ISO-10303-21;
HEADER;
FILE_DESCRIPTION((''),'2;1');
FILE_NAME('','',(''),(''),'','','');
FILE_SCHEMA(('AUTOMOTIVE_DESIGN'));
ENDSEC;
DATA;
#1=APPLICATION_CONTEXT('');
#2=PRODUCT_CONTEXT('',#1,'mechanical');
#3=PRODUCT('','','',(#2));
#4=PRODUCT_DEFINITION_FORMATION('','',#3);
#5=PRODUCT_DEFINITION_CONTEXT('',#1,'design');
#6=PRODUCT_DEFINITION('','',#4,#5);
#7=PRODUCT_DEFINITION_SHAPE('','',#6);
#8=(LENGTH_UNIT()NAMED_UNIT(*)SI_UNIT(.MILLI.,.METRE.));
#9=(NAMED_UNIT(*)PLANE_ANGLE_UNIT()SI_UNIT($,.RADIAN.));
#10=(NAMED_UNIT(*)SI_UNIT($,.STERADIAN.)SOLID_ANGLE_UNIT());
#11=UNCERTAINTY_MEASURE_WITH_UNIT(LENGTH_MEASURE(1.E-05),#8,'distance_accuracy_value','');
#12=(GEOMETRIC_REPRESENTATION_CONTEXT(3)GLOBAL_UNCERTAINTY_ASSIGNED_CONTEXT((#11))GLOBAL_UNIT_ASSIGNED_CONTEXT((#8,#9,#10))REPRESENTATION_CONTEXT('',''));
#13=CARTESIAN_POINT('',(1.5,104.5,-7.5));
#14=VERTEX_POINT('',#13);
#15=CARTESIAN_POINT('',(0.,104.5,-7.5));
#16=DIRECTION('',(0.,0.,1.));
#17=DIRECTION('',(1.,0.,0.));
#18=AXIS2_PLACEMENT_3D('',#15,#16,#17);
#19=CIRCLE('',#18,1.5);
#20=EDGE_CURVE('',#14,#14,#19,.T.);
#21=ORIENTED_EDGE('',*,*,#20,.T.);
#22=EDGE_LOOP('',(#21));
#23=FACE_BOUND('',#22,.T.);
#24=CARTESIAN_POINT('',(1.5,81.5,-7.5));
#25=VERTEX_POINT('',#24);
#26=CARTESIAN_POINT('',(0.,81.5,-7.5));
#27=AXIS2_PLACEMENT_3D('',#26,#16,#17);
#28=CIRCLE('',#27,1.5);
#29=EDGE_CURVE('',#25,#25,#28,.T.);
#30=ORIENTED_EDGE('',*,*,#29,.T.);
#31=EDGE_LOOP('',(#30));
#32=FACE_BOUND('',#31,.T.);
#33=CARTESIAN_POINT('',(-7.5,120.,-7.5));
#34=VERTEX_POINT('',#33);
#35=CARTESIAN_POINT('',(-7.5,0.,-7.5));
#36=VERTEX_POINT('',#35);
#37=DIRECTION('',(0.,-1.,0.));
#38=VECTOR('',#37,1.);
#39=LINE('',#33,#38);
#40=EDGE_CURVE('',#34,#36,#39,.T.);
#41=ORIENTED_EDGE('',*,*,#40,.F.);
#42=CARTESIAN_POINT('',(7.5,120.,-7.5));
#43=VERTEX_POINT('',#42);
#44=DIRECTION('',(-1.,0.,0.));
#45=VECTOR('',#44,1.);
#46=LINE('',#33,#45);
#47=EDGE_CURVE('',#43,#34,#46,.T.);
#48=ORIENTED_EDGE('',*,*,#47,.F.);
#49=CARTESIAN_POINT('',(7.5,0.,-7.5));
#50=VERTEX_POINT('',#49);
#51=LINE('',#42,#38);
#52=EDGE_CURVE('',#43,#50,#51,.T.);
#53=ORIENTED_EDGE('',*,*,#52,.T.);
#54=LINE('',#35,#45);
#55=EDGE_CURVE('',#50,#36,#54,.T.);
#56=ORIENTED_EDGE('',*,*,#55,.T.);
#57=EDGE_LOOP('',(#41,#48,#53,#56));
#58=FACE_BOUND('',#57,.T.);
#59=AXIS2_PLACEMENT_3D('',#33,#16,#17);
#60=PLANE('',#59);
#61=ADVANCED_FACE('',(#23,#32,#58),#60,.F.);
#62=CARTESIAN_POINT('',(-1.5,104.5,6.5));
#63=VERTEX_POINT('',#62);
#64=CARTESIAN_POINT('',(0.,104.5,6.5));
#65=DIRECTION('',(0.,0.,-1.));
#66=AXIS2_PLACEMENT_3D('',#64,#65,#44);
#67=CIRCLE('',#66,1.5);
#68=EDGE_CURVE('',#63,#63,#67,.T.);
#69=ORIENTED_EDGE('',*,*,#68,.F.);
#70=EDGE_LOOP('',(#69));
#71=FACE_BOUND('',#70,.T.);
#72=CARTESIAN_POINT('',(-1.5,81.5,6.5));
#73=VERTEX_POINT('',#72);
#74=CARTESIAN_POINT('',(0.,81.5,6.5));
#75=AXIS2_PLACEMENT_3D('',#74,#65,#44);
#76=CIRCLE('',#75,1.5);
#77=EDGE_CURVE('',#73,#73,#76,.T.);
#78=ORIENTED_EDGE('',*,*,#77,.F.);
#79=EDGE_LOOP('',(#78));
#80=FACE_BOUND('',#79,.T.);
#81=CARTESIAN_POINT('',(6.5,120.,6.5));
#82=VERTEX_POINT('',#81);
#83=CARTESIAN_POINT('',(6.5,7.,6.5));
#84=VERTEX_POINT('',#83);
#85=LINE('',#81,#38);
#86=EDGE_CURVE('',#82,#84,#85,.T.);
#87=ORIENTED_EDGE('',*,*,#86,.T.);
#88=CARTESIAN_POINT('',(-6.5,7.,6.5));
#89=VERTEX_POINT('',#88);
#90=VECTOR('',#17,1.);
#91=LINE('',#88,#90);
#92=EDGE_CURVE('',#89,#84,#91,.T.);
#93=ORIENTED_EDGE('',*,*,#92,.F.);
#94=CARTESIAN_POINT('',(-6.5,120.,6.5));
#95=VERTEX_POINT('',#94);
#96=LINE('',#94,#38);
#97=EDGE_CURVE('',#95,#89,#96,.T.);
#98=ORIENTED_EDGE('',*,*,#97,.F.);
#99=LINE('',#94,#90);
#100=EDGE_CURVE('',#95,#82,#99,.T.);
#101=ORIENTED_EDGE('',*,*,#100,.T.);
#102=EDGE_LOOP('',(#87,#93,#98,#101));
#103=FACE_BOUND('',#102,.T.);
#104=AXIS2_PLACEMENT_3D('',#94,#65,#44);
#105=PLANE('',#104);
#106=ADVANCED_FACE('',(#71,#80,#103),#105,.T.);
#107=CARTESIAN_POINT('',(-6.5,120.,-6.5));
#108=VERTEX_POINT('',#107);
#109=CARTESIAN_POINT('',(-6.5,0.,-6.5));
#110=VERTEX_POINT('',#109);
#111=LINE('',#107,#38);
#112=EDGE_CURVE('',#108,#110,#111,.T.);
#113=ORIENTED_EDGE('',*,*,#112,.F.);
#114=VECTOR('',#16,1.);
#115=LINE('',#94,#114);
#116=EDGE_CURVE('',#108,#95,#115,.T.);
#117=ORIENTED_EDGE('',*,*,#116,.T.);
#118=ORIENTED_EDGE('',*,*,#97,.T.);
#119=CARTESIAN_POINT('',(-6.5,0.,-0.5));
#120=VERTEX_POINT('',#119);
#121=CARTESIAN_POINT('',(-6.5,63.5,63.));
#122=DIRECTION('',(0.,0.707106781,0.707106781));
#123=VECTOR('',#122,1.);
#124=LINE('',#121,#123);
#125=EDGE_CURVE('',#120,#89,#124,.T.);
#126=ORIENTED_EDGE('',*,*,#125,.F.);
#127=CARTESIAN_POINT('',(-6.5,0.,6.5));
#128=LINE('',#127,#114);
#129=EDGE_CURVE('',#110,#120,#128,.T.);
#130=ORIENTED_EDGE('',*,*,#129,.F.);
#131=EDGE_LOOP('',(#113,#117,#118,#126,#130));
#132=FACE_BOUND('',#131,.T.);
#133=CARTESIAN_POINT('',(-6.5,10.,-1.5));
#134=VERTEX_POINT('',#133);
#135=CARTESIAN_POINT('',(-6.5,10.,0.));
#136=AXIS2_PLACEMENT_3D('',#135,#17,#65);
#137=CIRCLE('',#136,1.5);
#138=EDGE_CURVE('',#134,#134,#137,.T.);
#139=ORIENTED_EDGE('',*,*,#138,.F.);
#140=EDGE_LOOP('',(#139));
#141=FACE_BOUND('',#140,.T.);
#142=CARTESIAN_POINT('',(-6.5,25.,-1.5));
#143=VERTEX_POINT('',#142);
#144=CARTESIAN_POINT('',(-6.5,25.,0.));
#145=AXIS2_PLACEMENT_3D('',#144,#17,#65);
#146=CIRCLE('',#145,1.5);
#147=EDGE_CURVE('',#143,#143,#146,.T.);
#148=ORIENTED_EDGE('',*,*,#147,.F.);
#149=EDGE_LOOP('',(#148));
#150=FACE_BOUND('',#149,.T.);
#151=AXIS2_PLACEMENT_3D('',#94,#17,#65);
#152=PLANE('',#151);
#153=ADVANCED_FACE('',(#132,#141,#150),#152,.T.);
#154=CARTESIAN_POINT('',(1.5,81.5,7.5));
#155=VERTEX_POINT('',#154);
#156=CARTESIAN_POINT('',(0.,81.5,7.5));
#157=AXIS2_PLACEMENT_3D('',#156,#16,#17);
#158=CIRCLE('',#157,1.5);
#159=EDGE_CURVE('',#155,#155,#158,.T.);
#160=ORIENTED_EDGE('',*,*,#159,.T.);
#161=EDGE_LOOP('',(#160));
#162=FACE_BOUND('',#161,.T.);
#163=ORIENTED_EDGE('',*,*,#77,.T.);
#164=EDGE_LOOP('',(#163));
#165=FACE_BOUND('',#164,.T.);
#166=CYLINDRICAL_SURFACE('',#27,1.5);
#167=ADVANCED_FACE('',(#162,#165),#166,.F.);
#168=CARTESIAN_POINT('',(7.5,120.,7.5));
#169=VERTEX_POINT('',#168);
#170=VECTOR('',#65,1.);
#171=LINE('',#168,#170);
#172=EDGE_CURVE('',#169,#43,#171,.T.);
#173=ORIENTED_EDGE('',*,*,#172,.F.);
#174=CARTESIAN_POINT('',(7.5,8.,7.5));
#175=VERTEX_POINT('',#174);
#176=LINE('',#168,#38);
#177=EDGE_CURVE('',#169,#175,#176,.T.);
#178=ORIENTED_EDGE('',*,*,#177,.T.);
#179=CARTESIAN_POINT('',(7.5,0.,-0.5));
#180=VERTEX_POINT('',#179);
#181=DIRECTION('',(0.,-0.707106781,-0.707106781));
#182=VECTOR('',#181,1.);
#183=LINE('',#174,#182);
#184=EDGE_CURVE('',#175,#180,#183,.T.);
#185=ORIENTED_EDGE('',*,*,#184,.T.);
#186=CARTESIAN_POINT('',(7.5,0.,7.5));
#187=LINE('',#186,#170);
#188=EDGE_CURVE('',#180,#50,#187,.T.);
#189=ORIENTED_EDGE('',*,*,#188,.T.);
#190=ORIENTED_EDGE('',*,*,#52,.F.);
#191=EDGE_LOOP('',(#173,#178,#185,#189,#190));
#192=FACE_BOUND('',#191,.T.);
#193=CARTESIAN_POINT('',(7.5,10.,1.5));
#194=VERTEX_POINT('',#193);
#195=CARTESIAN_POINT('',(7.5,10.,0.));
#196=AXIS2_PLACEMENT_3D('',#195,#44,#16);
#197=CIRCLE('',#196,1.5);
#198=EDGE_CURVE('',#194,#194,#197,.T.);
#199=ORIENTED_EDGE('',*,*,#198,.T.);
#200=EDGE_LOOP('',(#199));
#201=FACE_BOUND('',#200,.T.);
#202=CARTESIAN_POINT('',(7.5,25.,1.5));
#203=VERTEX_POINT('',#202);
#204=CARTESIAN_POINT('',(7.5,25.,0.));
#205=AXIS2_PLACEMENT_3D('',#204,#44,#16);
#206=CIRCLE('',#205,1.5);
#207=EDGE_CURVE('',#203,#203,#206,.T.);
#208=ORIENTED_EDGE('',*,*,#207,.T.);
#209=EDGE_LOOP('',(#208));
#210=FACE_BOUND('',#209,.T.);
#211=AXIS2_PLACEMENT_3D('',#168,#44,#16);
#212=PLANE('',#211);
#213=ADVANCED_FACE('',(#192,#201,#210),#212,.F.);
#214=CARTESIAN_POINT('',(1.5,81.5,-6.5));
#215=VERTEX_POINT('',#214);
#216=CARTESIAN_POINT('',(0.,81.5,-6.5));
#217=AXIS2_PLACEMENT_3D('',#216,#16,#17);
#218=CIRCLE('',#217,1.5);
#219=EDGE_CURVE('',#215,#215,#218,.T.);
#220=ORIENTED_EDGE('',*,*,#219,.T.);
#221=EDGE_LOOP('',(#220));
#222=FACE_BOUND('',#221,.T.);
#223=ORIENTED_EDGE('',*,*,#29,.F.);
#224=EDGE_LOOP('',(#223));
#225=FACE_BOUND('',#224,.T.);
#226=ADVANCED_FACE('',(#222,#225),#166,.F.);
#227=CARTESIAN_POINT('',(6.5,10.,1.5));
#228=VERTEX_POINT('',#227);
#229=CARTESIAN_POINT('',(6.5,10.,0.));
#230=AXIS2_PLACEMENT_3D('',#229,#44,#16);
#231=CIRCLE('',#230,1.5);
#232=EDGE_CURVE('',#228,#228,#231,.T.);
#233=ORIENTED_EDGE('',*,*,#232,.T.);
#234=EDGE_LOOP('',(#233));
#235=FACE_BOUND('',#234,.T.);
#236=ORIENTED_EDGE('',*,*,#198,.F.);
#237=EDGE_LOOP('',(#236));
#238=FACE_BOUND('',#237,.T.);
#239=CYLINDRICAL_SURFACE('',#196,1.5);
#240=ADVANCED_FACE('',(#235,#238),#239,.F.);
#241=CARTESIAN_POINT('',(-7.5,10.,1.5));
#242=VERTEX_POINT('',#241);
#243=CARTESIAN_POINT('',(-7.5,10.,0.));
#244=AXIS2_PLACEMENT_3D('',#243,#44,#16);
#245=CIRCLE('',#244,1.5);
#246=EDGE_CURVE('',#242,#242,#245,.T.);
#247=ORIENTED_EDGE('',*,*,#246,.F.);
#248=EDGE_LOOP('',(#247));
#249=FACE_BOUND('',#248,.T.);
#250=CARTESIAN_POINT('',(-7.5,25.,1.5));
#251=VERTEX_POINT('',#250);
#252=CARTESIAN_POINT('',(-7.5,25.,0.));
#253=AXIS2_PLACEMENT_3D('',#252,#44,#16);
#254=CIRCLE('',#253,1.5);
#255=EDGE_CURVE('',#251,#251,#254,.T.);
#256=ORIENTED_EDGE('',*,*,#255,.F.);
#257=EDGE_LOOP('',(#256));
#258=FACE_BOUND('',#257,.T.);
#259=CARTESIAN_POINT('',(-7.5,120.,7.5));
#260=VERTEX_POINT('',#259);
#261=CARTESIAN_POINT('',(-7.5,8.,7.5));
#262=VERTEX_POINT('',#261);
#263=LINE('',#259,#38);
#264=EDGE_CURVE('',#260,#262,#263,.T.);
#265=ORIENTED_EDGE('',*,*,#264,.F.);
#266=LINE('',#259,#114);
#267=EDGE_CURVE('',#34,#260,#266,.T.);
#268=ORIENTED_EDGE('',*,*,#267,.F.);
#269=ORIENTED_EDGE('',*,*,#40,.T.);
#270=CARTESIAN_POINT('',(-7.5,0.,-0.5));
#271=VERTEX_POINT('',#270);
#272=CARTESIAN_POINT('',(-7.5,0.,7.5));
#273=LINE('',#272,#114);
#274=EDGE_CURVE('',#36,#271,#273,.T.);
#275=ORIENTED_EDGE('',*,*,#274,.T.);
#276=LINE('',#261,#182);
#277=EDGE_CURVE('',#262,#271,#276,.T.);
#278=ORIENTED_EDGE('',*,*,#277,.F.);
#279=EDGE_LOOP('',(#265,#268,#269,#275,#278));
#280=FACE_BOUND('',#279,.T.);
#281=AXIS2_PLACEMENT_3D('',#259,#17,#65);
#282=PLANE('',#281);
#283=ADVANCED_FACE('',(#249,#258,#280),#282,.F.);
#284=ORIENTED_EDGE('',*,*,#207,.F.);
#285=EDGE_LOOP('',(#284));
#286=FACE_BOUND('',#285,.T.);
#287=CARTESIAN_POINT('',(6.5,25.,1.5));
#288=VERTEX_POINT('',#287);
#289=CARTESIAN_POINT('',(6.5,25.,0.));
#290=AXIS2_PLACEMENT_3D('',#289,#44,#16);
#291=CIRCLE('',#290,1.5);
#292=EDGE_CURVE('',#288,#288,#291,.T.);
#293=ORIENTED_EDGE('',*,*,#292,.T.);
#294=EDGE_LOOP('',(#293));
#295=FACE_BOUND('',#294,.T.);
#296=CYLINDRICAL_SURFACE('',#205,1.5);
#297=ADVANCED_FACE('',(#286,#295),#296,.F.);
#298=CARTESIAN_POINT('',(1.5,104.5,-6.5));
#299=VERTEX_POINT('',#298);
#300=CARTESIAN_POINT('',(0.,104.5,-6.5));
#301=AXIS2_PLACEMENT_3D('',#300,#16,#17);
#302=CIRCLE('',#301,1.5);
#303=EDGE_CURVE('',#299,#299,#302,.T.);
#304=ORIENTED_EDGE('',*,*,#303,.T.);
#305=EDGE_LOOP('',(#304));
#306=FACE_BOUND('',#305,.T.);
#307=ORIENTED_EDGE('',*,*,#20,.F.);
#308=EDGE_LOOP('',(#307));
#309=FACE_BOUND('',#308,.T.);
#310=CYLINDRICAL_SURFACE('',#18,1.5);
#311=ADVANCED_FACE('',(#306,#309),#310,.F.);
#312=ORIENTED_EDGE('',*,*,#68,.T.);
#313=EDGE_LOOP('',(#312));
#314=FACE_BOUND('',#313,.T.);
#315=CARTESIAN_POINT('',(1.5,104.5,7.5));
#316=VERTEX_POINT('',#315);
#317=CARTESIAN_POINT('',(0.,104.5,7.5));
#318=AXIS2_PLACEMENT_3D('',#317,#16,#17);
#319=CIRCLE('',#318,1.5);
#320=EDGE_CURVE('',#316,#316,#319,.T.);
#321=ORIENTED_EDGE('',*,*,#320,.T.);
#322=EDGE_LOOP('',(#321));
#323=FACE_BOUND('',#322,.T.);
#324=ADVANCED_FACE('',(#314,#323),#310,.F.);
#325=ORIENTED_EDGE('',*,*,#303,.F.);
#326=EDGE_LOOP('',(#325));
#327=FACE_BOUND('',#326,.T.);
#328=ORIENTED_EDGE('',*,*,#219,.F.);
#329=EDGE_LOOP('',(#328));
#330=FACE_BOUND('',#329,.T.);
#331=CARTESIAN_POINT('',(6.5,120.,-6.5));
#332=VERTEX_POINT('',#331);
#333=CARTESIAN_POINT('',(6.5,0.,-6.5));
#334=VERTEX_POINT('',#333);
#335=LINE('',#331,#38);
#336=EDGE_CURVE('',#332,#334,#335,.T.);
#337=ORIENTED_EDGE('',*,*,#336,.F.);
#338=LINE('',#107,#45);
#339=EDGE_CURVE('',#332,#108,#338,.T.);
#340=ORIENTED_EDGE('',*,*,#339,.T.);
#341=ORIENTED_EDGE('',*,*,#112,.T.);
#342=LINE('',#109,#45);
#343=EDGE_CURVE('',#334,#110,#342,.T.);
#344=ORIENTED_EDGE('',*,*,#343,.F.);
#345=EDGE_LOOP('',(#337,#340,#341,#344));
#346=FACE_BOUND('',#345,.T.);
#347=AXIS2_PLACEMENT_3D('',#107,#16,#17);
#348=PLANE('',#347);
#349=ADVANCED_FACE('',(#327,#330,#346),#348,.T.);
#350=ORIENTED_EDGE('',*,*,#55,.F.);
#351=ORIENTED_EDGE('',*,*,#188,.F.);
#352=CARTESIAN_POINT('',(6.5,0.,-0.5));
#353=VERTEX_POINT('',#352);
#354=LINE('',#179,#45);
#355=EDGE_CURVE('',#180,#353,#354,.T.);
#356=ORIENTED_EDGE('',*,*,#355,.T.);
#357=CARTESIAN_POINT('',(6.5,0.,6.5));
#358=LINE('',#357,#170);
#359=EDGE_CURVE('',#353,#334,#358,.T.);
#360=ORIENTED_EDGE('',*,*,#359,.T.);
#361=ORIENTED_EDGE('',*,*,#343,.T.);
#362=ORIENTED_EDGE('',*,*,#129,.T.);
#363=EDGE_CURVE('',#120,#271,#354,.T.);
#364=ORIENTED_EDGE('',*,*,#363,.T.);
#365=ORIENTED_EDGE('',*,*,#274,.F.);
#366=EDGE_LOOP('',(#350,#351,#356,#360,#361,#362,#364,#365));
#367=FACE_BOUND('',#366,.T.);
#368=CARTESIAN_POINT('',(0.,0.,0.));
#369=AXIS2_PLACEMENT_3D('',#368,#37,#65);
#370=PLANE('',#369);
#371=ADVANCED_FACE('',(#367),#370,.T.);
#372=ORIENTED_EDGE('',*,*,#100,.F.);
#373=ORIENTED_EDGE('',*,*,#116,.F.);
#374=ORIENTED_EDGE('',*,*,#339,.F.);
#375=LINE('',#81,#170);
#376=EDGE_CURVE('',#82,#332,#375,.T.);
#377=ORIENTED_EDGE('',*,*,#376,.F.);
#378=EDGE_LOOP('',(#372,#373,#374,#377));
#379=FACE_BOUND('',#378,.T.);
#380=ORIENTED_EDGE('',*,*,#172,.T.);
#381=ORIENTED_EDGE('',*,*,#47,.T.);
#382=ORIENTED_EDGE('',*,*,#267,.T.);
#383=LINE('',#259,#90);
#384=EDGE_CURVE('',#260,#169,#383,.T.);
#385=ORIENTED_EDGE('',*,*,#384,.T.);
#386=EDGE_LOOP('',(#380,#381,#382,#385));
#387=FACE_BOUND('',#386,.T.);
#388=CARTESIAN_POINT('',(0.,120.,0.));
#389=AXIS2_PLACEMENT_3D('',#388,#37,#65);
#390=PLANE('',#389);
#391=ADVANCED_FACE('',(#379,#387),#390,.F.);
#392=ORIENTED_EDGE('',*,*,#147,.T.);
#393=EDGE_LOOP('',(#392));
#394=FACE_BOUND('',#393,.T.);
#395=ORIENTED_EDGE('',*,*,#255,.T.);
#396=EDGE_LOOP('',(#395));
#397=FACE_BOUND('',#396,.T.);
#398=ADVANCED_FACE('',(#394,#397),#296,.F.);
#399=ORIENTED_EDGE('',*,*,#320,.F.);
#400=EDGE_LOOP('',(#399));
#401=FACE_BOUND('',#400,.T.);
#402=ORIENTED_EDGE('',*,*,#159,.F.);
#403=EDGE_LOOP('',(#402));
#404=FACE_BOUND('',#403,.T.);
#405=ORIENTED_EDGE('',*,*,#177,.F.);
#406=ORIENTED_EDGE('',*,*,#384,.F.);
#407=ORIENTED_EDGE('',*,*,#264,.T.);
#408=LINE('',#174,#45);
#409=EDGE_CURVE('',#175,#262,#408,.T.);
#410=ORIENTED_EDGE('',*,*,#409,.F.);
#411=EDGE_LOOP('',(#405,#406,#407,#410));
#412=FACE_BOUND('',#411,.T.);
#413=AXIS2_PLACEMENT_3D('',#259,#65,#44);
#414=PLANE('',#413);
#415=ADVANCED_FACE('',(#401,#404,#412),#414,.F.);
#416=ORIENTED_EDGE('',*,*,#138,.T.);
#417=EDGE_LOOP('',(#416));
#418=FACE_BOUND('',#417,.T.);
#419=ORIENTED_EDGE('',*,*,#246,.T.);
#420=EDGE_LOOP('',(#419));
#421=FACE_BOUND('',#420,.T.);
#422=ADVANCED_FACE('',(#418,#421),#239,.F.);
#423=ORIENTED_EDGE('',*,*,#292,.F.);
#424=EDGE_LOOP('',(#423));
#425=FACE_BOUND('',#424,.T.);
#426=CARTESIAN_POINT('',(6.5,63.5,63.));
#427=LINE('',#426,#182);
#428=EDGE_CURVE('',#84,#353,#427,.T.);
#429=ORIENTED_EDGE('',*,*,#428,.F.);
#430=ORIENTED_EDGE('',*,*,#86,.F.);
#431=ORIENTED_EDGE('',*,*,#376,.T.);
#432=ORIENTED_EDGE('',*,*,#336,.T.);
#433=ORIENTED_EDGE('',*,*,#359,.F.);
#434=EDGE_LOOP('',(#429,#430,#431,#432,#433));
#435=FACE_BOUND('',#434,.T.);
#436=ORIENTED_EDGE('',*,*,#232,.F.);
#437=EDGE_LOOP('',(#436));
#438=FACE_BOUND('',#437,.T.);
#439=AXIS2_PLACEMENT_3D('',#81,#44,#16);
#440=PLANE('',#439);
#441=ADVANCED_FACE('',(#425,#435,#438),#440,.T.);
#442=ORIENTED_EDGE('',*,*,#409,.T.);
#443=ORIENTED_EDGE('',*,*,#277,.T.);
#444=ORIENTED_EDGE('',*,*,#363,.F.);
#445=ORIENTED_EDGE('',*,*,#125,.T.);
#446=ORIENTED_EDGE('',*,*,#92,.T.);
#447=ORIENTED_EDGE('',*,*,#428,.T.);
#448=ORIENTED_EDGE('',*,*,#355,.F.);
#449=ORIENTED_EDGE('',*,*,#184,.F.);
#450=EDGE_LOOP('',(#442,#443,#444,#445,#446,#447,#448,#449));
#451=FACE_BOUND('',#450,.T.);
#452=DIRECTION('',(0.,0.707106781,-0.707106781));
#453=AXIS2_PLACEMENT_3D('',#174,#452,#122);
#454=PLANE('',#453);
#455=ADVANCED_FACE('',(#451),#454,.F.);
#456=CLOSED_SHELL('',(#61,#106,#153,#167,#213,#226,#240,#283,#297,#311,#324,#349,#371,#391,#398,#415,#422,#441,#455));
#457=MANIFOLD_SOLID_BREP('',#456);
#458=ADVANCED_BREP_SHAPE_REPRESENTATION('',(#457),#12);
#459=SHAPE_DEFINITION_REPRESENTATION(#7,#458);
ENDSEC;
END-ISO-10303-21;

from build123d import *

# Parameters (mm, degrees)
SKETCH_1_W          = 15
SKETCH_1_H          = 15
SKETCH_1_W_2        = 13
SKETCH_1_H_2        = 13
EXTRUDE_1_DEPTH     = 120
SKETCH_2_R          = 1.5
CUT_EXTRUDE_1_DEPTH = 122.166208161
SKETCH_3_R          = 1.5
CUT_EXTRUDE_2_DEPTH = 122.166208161


with BuildPart() as part:
    # 草图1 → 凸台-拉伸1 (new body)
    with BuildSketch(Plane(origin=(0, 0, 0), x_dir=(1, 0, 0), z_dir=(0, 1, 0))):
        Rectangle(SKETCH_1_W, SKETCH_1_H)
        Rectangle(SKETCH_1_W_2, SKETCH_1_H_2, mode=Mode.SUBTRACT)
    extrude(amount=EXTRUDE_1_DEPTH)

    # 草图2 → 切除-拉伸1 (cut, through all)
    with BuildSketch(Plane.XY.offset(7.5)):
        with Locations((0, 104.5)):
            Circle(SKETCH_2_R)
        with Locations((0, 81.5)):
            Circle(SKETCH_2_R)
    extrude(amount=-CUT_EXTRUDE_1_DEPTH, mode=Mode.SUBTRACT)

    # 草图3 → 切除-拉伸2 (cut, through all)
    with BuildSketch(Plane.ZY.offset(7.5)):
        with Locations((0, 10)):
            Circle(SKETCH_3_R)
        with Locations((0, 25)):
            Circle(SKETCH_3_R)
        Polygon((-0.5, 0), (7.5, 0), (7.5, 8), align=None)
    extrude(amount=-CUT_EXTRUDE_2_DEPTH, mode=Mode.SUBTRACT)


solid = part.part
